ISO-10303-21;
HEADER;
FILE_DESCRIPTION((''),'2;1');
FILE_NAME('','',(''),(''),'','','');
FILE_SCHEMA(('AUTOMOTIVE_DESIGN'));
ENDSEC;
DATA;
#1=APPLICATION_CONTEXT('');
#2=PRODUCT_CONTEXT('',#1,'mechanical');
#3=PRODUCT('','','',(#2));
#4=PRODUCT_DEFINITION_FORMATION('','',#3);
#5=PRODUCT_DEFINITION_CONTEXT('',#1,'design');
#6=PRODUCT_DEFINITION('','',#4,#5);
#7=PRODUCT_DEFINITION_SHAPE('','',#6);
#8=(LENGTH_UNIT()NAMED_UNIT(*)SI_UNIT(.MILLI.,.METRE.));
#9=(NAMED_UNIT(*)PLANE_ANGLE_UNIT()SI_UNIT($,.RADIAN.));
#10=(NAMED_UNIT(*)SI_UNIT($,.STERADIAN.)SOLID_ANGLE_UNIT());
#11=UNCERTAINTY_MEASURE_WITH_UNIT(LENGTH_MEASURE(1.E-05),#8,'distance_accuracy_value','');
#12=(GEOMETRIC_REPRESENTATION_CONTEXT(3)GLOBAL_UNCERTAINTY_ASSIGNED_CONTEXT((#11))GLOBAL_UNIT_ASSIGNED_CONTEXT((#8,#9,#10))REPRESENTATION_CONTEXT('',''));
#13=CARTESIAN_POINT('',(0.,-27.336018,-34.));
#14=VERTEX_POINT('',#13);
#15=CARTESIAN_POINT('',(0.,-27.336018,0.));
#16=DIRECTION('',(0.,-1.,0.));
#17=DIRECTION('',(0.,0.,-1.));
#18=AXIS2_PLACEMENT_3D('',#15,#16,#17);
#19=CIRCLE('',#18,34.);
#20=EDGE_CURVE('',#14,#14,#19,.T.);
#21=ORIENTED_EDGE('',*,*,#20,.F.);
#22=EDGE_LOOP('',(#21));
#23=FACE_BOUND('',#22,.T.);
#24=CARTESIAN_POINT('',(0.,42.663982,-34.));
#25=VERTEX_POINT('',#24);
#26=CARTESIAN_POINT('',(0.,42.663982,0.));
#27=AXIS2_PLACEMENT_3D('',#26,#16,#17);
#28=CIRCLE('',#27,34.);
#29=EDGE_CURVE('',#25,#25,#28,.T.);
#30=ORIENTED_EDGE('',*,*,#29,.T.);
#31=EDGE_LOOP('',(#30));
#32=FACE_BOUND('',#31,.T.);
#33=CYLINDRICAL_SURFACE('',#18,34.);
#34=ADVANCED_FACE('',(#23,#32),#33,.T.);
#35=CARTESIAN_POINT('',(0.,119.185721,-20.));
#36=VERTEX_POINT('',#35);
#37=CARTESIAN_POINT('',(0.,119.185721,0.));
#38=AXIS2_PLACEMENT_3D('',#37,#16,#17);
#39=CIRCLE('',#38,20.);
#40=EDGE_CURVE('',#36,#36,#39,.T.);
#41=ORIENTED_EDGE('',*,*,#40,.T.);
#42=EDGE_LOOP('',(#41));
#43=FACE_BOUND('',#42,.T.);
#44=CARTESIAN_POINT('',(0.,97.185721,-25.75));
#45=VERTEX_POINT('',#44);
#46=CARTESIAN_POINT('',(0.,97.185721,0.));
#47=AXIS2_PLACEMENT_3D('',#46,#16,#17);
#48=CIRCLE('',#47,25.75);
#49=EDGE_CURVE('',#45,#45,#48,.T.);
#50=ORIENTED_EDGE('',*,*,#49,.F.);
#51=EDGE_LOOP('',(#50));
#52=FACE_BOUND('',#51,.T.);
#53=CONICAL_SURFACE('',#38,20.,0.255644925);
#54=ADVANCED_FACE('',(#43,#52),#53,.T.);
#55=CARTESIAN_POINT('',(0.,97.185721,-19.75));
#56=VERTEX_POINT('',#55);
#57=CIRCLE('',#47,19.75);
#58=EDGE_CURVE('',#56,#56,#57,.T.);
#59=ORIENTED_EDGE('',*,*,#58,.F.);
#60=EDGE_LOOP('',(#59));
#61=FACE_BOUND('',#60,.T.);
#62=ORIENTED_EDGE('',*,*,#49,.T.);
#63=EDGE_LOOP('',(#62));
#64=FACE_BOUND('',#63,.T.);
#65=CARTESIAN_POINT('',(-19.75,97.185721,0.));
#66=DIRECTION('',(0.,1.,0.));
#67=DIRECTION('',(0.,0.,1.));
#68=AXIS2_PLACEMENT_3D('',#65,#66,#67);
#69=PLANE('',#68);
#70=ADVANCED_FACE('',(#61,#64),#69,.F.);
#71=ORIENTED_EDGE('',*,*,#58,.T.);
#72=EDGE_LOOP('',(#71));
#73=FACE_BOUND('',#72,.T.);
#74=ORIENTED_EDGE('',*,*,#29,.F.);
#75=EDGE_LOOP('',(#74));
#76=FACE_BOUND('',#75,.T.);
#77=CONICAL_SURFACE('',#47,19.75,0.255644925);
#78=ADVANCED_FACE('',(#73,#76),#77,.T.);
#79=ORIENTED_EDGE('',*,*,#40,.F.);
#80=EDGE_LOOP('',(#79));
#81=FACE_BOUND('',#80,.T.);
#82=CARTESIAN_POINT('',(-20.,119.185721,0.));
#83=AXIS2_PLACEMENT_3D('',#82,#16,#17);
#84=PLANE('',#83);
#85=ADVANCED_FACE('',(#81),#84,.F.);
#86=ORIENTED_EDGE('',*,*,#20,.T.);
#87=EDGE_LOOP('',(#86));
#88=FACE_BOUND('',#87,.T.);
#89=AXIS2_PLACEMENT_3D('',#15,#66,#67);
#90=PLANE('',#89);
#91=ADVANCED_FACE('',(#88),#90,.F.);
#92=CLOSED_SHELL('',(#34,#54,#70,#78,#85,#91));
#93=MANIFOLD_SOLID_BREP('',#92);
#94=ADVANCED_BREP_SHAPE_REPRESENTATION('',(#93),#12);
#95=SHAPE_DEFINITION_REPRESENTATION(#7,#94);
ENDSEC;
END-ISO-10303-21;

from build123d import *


with BuildPart() as part:
    # Sketch1 → Revolve1 (revolve)
    with BuildSketch(Plane.XY, mode=Mode.PRIVATE) as revolve1_sk:
        Polygon((0, -27.336018287), (-34, -27.336018287), (-34, 42.663981713), (-19.75, 97.185720844), (-25.75, 97.185720844), (-20, 119.185720844), (0, 119.185720844), align=None)
    revolve(revolve1_sk.sketch.rotate(Axis((0, -27.336018287, 0), (0, 1, 0)), 270), axis=Axis((0, -27.336018287, 0), (0, 1, 0)))


solid = part.part
